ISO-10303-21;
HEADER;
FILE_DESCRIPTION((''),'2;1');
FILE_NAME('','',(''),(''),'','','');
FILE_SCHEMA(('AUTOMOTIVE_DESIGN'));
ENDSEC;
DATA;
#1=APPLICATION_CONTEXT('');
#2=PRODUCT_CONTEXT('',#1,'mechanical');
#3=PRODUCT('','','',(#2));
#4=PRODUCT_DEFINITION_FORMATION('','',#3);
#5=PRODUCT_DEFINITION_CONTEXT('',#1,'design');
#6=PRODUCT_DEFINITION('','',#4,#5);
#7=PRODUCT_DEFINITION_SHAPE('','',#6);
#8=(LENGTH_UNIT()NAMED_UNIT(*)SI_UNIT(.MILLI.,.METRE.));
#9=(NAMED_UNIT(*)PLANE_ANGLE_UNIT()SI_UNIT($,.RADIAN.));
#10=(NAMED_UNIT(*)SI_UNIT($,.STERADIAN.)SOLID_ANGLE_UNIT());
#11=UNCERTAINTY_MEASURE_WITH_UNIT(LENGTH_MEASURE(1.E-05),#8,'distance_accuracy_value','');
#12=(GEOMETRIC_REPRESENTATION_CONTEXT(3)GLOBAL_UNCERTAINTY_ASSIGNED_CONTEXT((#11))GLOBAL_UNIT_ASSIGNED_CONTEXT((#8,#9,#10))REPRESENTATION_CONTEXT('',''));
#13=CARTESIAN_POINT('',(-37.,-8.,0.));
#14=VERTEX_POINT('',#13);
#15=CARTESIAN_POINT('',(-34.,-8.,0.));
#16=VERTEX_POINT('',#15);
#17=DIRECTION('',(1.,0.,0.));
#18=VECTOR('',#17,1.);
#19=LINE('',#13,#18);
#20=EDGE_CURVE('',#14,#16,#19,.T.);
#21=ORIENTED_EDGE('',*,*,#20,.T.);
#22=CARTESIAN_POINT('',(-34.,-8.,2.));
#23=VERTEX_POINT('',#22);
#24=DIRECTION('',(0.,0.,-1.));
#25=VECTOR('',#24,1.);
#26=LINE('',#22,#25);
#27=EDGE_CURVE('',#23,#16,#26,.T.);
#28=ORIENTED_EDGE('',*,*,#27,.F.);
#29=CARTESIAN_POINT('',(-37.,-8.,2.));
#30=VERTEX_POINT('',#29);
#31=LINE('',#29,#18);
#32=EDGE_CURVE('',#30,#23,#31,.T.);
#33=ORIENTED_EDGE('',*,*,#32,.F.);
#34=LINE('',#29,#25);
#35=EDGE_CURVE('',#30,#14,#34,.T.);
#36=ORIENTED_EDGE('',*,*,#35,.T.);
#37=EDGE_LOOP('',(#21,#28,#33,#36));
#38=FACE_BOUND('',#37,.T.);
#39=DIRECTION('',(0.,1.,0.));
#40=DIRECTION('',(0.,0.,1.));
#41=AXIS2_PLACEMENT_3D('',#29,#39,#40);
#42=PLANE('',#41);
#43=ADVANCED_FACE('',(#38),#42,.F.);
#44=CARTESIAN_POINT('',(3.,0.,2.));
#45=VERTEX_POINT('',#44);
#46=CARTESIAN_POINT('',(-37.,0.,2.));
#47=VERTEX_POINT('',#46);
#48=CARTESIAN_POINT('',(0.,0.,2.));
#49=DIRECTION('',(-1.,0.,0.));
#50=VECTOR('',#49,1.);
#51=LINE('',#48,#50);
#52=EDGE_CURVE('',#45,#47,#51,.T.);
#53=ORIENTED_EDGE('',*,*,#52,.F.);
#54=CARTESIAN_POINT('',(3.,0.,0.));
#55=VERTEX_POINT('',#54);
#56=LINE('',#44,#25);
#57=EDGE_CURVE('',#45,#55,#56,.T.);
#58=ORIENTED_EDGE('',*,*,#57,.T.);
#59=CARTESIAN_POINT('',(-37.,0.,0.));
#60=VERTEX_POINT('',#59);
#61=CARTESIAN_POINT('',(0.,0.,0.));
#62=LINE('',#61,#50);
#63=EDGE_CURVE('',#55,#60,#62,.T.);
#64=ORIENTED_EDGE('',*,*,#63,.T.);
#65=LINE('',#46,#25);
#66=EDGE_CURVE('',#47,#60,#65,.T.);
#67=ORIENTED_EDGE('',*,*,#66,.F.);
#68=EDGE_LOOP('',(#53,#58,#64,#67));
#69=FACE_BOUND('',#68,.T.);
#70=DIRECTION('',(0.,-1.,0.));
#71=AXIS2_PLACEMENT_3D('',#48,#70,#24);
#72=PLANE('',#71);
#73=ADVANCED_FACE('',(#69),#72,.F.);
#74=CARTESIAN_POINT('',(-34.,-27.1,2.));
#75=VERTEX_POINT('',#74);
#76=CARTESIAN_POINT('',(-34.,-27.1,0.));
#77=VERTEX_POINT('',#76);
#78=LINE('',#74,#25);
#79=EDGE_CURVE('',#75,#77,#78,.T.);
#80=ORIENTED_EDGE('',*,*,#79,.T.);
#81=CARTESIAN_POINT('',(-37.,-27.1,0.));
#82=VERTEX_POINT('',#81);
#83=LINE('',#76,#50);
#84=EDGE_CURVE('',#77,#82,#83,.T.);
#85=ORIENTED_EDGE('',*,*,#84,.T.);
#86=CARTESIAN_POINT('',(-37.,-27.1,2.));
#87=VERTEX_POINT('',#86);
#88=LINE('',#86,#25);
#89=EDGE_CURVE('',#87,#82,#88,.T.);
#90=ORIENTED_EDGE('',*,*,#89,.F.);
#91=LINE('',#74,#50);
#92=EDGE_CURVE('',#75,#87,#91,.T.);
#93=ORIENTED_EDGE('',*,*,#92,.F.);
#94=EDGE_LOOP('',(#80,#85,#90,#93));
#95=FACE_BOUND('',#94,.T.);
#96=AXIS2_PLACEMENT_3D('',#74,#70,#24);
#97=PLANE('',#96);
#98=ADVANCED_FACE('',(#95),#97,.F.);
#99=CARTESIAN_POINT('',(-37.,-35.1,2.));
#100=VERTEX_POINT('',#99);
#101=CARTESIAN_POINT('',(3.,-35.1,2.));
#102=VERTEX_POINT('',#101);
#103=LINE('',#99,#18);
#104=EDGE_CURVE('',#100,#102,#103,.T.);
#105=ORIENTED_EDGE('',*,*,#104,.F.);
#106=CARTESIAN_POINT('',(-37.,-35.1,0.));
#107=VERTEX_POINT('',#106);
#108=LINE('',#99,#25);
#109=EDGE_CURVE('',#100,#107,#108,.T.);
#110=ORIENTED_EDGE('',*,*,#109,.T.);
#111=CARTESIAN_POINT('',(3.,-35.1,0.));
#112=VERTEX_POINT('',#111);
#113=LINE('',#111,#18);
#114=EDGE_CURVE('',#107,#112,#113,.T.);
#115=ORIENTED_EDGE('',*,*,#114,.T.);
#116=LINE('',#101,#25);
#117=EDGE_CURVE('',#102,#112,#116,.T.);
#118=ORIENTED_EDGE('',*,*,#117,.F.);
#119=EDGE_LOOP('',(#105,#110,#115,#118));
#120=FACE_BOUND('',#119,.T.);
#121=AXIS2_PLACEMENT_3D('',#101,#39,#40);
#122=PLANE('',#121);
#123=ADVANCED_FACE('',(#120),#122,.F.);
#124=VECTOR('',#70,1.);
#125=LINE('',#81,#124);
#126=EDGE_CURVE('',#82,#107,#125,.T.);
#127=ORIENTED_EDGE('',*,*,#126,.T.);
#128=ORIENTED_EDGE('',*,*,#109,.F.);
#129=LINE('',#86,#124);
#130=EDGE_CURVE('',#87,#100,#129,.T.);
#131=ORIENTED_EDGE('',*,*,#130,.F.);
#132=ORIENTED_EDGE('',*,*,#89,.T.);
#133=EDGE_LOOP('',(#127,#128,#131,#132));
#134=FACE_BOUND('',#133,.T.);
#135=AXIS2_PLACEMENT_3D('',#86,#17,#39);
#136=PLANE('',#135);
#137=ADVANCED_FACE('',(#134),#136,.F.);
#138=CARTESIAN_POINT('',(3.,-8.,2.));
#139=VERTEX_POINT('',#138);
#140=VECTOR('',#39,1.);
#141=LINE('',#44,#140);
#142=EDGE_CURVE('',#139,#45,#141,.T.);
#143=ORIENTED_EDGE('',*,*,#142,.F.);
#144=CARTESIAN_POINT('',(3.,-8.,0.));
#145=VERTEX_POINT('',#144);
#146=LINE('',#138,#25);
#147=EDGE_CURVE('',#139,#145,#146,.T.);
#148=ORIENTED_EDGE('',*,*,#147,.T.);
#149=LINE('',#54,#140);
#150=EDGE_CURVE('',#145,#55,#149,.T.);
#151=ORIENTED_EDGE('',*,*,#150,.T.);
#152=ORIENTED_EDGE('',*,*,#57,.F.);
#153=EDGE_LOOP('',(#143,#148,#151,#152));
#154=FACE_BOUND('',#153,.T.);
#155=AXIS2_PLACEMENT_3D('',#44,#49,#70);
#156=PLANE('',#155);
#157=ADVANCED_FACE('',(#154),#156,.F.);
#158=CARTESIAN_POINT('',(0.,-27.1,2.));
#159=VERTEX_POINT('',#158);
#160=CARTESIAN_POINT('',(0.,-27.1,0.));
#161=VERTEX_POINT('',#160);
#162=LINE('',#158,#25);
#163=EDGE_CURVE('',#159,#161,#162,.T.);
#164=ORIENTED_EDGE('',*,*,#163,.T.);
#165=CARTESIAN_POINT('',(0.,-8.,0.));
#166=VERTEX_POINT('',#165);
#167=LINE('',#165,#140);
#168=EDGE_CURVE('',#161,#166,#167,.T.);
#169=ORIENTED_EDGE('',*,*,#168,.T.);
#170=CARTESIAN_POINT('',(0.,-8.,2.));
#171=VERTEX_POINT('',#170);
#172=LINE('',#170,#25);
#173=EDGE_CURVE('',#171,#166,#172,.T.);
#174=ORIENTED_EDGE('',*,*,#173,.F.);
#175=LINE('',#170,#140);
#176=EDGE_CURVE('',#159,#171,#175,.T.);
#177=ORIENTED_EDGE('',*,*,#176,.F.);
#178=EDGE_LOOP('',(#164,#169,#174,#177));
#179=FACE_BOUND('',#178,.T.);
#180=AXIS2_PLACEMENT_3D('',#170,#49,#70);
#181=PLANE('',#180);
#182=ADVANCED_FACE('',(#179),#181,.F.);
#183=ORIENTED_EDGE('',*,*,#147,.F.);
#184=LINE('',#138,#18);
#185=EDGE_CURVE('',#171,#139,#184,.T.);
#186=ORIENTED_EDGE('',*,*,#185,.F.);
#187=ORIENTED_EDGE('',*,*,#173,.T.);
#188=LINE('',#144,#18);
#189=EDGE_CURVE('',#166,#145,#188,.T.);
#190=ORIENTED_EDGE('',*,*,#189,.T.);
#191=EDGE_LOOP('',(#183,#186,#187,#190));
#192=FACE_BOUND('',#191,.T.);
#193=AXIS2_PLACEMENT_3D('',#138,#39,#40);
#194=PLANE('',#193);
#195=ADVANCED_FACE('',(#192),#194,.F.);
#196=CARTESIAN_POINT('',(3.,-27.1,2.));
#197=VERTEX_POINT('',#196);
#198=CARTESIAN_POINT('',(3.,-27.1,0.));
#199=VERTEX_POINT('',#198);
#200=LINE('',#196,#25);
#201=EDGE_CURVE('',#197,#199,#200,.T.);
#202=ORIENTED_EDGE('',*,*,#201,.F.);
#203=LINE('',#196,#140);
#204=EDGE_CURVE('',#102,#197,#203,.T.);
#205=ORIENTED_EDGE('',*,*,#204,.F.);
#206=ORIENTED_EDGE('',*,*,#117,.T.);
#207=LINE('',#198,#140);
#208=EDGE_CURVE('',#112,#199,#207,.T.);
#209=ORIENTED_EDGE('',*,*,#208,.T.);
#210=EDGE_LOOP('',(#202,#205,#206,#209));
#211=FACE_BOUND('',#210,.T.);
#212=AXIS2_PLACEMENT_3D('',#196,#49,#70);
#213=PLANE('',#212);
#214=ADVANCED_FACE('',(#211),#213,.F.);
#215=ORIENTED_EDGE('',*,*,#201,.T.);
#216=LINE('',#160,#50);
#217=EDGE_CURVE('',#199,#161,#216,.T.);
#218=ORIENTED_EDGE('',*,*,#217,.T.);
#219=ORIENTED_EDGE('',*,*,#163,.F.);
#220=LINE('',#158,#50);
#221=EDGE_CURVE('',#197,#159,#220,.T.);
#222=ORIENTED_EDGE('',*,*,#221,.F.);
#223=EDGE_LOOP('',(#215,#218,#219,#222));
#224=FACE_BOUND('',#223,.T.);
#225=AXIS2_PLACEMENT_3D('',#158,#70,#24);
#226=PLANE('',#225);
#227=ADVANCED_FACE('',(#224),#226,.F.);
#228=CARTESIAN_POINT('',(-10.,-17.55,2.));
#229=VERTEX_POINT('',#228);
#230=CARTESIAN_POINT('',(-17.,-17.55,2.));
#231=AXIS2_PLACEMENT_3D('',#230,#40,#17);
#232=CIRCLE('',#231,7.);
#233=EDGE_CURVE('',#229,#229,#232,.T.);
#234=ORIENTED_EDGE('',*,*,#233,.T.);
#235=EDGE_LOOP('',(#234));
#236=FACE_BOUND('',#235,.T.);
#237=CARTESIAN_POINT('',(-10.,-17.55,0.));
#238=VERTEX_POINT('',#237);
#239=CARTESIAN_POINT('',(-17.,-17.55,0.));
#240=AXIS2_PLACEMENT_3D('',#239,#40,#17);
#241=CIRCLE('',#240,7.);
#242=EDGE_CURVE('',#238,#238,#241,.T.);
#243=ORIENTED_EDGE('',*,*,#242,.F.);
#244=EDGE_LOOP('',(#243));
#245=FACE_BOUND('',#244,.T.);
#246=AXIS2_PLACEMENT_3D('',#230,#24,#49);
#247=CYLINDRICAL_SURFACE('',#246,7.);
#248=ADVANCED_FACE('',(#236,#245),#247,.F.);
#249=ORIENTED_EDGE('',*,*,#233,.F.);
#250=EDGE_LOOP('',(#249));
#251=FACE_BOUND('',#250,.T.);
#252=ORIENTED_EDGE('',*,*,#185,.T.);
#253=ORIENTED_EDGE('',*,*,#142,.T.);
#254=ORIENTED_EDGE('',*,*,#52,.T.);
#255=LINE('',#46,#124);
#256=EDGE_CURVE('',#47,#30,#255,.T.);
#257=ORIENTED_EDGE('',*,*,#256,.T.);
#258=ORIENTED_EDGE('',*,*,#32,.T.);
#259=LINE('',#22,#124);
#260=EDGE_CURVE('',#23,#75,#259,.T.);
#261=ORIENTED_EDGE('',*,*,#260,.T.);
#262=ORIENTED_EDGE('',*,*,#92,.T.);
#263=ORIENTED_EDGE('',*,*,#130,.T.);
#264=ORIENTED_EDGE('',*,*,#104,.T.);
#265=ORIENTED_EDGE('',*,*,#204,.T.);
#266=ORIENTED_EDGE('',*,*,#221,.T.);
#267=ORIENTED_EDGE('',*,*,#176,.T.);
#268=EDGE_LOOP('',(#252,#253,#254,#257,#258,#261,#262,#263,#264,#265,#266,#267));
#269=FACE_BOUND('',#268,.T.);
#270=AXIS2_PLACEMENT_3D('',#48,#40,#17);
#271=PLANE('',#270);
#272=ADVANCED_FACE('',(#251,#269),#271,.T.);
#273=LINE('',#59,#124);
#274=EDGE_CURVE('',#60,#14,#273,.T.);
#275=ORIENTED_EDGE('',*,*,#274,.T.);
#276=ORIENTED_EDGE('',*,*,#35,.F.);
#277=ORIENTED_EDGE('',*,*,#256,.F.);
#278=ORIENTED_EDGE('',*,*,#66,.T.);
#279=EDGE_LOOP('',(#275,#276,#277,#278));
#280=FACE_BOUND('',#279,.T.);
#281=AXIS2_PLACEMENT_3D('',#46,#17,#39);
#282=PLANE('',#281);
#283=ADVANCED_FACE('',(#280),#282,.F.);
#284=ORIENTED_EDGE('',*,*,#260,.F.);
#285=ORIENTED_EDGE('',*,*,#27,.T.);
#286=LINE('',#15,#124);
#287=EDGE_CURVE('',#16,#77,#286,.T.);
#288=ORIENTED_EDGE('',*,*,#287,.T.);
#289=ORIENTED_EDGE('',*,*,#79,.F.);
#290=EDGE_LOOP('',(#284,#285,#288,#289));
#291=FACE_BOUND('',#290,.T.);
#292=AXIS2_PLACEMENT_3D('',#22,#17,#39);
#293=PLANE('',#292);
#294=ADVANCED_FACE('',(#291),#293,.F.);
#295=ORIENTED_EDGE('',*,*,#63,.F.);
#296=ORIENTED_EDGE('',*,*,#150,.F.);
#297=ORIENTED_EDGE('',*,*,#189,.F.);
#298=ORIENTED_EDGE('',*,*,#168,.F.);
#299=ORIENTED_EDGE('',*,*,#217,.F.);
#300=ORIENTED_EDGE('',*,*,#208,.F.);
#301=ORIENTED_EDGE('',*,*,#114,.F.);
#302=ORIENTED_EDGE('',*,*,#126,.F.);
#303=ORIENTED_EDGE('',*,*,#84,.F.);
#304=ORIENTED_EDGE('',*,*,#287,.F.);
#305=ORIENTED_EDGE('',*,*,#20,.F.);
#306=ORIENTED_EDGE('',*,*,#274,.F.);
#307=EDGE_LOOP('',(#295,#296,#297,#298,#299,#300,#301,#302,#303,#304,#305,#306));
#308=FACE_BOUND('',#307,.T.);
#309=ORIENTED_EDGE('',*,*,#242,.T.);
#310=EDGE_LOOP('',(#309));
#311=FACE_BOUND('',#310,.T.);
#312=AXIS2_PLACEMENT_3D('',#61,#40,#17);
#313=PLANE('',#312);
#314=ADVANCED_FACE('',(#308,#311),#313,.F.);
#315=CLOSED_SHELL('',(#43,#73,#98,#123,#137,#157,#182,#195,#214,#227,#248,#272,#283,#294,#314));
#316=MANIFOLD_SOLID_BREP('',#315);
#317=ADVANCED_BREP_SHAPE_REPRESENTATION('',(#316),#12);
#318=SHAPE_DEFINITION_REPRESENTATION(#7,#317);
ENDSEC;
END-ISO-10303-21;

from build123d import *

# Parameters (mm, degrees)
SKETCH_1_R      = 7
EXTRUDE_1_DEPTH = 2


with BuildPart() as part:
    # 草图1 → 凸台-拉伸1 (new body)
    with BuildSketch(Plane.XY):
        Polygon((0, 0), (3, 0), (3, -8), (0, -8), (0, -27.1), (3, -27.1), (3, -35.1), (0, -35.1), (-34, -35.1), (-37, -35.1), (-37, -27.1), (-34, -27.1), (-34, -8), (-37, -8), (-37, 0), (-34, 0), align=None)
        with Locations((-17, -17.55)):
            Circle(SKETCH_1_R, mode=Mode.SUBTRACT)
    extrude(amount=EXTRUDE_1_DEPTH)


solid = part.part
